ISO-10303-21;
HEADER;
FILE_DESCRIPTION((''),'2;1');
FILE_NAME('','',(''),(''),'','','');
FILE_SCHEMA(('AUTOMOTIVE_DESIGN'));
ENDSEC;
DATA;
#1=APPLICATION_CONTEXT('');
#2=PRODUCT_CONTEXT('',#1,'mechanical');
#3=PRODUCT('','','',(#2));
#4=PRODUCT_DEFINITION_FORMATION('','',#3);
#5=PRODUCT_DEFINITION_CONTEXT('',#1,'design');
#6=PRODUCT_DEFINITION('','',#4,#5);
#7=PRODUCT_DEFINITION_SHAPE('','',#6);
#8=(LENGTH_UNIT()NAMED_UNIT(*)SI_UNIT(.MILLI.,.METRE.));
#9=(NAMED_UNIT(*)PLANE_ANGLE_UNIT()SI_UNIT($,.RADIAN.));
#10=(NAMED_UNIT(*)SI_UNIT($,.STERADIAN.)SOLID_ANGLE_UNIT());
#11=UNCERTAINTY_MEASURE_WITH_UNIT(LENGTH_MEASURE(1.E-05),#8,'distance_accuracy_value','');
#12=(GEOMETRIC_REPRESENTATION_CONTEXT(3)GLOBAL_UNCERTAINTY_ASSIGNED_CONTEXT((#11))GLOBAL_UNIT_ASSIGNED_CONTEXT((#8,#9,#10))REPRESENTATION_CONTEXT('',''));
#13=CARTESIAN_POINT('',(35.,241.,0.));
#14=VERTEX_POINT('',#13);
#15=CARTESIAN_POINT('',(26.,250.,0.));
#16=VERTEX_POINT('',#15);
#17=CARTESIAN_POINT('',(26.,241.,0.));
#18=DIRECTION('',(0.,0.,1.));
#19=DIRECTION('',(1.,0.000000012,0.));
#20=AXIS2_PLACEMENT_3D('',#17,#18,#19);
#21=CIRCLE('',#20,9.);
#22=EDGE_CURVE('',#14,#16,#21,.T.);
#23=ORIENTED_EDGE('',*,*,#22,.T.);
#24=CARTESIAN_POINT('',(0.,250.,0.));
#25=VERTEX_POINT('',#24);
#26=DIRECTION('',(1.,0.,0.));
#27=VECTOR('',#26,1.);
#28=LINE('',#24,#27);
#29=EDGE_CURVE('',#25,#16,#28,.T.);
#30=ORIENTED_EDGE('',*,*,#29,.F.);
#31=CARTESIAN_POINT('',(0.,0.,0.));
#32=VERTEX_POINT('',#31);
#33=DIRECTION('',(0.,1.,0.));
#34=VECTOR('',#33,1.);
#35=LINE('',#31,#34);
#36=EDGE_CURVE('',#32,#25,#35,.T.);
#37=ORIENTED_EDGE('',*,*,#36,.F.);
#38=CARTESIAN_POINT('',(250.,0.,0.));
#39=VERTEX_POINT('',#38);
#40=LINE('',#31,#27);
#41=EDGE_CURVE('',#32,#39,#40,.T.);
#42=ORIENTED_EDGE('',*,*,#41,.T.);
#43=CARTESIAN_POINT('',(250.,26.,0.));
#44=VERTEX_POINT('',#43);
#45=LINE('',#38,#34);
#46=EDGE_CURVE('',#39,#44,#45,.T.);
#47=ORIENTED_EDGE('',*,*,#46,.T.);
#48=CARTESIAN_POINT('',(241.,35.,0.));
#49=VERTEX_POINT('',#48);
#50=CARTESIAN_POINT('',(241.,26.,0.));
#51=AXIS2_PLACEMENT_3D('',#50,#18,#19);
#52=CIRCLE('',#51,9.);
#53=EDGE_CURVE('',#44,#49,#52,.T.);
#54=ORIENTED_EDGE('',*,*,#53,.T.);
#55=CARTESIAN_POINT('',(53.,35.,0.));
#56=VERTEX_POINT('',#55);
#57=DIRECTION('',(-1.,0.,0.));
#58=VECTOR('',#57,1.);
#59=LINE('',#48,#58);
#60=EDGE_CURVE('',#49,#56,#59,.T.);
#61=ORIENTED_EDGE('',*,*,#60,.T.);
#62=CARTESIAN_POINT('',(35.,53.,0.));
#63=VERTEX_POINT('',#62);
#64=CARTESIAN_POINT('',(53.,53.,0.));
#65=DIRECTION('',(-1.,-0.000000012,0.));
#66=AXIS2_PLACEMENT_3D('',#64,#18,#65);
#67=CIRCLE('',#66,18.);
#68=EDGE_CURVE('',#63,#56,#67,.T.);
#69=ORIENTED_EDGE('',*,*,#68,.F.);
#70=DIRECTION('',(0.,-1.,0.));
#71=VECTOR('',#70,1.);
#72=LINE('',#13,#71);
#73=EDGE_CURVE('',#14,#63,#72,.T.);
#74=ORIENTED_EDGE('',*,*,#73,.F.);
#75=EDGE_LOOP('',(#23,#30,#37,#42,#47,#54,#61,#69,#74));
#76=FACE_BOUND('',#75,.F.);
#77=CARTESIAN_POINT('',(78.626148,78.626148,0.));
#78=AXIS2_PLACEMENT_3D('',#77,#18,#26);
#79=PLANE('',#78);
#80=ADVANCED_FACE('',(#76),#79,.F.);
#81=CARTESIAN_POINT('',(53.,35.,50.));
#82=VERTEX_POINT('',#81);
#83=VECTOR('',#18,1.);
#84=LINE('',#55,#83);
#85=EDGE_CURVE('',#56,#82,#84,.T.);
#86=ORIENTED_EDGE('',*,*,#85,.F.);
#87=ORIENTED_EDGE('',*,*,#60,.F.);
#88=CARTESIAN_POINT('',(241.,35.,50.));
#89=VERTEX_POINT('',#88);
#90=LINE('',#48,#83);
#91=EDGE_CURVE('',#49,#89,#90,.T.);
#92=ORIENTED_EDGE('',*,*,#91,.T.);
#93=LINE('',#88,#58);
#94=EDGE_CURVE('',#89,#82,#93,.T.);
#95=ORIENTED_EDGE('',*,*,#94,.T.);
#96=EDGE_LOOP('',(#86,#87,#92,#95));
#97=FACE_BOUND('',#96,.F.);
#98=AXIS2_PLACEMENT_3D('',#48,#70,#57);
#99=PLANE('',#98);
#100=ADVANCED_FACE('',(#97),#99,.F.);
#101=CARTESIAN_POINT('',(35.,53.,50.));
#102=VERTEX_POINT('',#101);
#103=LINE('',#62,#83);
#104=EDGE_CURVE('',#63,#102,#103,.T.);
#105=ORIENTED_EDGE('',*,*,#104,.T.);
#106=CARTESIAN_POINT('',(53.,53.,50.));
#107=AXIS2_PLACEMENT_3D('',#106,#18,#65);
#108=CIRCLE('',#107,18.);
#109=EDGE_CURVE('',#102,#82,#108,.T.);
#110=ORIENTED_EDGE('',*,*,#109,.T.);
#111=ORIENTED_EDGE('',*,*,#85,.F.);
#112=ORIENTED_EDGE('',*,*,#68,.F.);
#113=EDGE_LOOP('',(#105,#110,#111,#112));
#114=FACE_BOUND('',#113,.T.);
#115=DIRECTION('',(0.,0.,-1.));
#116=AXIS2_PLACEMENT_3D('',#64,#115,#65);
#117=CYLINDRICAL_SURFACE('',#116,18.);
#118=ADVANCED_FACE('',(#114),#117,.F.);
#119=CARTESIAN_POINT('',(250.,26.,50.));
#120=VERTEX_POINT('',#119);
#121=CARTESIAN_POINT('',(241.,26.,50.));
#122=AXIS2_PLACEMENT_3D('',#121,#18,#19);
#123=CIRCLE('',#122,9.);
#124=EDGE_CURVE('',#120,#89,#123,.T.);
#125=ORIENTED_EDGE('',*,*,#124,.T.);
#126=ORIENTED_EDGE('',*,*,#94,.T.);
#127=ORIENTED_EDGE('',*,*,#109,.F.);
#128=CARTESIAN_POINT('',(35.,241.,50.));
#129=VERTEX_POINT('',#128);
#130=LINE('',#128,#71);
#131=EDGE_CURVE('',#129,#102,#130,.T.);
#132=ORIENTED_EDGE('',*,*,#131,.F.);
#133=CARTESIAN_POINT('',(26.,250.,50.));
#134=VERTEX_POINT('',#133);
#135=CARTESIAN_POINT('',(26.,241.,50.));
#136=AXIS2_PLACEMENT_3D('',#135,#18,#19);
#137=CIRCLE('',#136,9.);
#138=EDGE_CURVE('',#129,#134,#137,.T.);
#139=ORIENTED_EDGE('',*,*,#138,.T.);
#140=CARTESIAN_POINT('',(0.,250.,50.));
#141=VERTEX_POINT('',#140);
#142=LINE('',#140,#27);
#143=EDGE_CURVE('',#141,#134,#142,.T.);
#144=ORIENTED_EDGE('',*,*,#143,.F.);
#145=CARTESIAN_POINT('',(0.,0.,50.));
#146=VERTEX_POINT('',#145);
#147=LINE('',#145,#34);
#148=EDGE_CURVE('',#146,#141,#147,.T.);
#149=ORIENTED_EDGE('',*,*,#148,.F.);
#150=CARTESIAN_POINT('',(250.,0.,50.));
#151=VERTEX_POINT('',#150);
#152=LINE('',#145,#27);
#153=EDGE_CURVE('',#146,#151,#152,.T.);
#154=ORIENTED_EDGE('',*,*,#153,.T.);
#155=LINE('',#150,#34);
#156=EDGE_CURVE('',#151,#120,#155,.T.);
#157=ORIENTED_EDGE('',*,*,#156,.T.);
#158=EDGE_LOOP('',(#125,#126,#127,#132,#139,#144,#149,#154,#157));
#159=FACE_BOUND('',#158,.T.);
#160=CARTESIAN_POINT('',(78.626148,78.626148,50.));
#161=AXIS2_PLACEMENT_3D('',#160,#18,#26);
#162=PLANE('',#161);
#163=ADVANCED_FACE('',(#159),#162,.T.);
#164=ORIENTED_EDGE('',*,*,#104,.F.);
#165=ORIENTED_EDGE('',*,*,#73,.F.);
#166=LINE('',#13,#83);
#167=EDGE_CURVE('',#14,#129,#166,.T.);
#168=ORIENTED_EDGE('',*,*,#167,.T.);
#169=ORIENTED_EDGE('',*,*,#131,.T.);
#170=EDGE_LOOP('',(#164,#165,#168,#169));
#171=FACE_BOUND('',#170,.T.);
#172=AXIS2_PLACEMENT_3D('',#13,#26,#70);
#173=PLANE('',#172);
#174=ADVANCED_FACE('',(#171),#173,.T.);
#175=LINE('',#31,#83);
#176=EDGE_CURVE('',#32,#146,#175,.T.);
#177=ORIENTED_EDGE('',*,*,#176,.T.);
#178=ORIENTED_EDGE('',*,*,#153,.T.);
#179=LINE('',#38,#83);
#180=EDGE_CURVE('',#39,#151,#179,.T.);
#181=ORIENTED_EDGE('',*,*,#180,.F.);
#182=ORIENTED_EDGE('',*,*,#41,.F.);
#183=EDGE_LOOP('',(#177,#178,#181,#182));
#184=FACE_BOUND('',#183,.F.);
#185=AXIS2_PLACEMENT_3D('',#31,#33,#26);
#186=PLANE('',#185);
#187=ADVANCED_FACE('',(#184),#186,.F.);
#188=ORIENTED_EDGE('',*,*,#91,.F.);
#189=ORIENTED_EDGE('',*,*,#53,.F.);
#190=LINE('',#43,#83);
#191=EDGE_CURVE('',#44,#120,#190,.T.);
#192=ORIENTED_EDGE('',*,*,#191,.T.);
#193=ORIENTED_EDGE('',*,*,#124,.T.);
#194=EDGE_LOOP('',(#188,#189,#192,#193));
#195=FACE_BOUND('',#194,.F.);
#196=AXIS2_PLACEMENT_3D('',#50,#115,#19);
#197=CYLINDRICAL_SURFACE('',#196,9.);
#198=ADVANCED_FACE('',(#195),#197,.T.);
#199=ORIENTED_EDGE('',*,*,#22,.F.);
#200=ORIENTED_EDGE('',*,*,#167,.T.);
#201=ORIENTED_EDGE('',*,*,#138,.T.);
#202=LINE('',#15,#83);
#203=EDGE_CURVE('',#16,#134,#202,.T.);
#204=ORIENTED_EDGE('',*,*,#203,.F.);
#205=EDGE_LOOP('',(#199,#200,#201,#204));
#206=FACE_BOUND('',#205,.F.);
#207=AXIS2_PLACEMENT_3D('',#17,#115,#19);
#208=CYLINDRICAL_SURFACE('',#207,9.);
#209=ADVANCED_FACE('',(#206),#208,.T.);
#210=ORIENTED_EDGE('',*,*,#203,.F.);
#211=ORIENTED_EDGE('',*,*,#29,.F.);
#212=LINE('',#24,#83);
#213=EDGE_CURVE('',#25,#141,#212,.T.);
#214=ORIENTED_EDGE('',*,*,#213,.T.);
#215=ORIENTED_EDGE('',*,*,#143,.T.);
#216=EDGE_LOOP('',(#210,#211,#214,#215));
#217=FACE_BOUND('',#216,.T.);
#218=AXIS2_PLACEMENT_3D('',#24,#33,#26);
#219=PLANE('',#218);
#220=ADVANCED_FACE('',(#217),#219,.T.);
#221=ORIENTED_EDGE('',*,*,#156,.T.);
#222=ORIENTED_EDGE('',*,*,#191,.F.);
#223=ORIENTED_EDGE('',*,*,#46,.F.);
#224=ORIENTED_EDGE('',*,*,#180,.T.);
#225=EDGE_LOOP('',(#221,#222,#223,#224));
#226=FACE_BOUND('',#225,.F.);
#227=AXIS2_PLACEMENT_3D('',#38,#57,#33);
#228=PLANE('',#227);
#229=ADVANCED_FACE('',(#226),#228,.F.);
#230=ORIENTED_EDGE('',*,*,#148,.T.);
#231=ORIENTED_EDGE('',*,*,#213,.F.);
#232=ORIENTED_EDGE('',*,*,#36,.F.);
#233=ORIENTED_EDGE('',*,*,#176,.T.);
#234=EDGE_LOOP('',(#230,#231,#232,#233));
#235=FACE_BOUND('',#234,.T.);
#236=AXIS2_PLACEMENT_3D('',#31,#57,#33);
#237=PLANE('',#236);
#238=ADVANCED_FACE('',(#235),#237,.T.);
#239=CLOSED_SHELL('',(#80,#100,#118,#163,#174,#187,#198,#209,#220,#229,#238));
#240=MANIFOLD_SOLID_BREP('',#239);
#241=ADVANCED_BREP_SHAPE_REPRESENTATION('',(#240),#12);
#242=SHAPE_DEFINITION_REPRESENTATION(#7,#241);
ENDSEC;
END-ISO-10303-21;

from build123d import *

# Parameters (mm, degrees)
EXTRUDE_DEPTH = 50


with BuildPart() as part:
    # Sketch → Extrude (new body)
    with BuildSketch(Plane.XY):
        with BuildLine():
            Line((0, 0), (250, 0))
            Line((250, 0), (250, 26))
            ThreePointArc((250, 26), (247.363961, 32.363961), (241, 35))
            Line((241, 35), (53, 35))
            ThreePointArc((35, 53), (40.272078, 40.272078), (53, 35))
            Line((35, 241), (35, 53))
            ThreePointArc((35, 241), (32.363961, 247.363961), (26, 250))
            Line((0, 250), (26, 250))
            Line((0, 0), (0, 250))
        make_face()
    extrude(amount=EXTRUDE_DEPTH)


solid = part.part
